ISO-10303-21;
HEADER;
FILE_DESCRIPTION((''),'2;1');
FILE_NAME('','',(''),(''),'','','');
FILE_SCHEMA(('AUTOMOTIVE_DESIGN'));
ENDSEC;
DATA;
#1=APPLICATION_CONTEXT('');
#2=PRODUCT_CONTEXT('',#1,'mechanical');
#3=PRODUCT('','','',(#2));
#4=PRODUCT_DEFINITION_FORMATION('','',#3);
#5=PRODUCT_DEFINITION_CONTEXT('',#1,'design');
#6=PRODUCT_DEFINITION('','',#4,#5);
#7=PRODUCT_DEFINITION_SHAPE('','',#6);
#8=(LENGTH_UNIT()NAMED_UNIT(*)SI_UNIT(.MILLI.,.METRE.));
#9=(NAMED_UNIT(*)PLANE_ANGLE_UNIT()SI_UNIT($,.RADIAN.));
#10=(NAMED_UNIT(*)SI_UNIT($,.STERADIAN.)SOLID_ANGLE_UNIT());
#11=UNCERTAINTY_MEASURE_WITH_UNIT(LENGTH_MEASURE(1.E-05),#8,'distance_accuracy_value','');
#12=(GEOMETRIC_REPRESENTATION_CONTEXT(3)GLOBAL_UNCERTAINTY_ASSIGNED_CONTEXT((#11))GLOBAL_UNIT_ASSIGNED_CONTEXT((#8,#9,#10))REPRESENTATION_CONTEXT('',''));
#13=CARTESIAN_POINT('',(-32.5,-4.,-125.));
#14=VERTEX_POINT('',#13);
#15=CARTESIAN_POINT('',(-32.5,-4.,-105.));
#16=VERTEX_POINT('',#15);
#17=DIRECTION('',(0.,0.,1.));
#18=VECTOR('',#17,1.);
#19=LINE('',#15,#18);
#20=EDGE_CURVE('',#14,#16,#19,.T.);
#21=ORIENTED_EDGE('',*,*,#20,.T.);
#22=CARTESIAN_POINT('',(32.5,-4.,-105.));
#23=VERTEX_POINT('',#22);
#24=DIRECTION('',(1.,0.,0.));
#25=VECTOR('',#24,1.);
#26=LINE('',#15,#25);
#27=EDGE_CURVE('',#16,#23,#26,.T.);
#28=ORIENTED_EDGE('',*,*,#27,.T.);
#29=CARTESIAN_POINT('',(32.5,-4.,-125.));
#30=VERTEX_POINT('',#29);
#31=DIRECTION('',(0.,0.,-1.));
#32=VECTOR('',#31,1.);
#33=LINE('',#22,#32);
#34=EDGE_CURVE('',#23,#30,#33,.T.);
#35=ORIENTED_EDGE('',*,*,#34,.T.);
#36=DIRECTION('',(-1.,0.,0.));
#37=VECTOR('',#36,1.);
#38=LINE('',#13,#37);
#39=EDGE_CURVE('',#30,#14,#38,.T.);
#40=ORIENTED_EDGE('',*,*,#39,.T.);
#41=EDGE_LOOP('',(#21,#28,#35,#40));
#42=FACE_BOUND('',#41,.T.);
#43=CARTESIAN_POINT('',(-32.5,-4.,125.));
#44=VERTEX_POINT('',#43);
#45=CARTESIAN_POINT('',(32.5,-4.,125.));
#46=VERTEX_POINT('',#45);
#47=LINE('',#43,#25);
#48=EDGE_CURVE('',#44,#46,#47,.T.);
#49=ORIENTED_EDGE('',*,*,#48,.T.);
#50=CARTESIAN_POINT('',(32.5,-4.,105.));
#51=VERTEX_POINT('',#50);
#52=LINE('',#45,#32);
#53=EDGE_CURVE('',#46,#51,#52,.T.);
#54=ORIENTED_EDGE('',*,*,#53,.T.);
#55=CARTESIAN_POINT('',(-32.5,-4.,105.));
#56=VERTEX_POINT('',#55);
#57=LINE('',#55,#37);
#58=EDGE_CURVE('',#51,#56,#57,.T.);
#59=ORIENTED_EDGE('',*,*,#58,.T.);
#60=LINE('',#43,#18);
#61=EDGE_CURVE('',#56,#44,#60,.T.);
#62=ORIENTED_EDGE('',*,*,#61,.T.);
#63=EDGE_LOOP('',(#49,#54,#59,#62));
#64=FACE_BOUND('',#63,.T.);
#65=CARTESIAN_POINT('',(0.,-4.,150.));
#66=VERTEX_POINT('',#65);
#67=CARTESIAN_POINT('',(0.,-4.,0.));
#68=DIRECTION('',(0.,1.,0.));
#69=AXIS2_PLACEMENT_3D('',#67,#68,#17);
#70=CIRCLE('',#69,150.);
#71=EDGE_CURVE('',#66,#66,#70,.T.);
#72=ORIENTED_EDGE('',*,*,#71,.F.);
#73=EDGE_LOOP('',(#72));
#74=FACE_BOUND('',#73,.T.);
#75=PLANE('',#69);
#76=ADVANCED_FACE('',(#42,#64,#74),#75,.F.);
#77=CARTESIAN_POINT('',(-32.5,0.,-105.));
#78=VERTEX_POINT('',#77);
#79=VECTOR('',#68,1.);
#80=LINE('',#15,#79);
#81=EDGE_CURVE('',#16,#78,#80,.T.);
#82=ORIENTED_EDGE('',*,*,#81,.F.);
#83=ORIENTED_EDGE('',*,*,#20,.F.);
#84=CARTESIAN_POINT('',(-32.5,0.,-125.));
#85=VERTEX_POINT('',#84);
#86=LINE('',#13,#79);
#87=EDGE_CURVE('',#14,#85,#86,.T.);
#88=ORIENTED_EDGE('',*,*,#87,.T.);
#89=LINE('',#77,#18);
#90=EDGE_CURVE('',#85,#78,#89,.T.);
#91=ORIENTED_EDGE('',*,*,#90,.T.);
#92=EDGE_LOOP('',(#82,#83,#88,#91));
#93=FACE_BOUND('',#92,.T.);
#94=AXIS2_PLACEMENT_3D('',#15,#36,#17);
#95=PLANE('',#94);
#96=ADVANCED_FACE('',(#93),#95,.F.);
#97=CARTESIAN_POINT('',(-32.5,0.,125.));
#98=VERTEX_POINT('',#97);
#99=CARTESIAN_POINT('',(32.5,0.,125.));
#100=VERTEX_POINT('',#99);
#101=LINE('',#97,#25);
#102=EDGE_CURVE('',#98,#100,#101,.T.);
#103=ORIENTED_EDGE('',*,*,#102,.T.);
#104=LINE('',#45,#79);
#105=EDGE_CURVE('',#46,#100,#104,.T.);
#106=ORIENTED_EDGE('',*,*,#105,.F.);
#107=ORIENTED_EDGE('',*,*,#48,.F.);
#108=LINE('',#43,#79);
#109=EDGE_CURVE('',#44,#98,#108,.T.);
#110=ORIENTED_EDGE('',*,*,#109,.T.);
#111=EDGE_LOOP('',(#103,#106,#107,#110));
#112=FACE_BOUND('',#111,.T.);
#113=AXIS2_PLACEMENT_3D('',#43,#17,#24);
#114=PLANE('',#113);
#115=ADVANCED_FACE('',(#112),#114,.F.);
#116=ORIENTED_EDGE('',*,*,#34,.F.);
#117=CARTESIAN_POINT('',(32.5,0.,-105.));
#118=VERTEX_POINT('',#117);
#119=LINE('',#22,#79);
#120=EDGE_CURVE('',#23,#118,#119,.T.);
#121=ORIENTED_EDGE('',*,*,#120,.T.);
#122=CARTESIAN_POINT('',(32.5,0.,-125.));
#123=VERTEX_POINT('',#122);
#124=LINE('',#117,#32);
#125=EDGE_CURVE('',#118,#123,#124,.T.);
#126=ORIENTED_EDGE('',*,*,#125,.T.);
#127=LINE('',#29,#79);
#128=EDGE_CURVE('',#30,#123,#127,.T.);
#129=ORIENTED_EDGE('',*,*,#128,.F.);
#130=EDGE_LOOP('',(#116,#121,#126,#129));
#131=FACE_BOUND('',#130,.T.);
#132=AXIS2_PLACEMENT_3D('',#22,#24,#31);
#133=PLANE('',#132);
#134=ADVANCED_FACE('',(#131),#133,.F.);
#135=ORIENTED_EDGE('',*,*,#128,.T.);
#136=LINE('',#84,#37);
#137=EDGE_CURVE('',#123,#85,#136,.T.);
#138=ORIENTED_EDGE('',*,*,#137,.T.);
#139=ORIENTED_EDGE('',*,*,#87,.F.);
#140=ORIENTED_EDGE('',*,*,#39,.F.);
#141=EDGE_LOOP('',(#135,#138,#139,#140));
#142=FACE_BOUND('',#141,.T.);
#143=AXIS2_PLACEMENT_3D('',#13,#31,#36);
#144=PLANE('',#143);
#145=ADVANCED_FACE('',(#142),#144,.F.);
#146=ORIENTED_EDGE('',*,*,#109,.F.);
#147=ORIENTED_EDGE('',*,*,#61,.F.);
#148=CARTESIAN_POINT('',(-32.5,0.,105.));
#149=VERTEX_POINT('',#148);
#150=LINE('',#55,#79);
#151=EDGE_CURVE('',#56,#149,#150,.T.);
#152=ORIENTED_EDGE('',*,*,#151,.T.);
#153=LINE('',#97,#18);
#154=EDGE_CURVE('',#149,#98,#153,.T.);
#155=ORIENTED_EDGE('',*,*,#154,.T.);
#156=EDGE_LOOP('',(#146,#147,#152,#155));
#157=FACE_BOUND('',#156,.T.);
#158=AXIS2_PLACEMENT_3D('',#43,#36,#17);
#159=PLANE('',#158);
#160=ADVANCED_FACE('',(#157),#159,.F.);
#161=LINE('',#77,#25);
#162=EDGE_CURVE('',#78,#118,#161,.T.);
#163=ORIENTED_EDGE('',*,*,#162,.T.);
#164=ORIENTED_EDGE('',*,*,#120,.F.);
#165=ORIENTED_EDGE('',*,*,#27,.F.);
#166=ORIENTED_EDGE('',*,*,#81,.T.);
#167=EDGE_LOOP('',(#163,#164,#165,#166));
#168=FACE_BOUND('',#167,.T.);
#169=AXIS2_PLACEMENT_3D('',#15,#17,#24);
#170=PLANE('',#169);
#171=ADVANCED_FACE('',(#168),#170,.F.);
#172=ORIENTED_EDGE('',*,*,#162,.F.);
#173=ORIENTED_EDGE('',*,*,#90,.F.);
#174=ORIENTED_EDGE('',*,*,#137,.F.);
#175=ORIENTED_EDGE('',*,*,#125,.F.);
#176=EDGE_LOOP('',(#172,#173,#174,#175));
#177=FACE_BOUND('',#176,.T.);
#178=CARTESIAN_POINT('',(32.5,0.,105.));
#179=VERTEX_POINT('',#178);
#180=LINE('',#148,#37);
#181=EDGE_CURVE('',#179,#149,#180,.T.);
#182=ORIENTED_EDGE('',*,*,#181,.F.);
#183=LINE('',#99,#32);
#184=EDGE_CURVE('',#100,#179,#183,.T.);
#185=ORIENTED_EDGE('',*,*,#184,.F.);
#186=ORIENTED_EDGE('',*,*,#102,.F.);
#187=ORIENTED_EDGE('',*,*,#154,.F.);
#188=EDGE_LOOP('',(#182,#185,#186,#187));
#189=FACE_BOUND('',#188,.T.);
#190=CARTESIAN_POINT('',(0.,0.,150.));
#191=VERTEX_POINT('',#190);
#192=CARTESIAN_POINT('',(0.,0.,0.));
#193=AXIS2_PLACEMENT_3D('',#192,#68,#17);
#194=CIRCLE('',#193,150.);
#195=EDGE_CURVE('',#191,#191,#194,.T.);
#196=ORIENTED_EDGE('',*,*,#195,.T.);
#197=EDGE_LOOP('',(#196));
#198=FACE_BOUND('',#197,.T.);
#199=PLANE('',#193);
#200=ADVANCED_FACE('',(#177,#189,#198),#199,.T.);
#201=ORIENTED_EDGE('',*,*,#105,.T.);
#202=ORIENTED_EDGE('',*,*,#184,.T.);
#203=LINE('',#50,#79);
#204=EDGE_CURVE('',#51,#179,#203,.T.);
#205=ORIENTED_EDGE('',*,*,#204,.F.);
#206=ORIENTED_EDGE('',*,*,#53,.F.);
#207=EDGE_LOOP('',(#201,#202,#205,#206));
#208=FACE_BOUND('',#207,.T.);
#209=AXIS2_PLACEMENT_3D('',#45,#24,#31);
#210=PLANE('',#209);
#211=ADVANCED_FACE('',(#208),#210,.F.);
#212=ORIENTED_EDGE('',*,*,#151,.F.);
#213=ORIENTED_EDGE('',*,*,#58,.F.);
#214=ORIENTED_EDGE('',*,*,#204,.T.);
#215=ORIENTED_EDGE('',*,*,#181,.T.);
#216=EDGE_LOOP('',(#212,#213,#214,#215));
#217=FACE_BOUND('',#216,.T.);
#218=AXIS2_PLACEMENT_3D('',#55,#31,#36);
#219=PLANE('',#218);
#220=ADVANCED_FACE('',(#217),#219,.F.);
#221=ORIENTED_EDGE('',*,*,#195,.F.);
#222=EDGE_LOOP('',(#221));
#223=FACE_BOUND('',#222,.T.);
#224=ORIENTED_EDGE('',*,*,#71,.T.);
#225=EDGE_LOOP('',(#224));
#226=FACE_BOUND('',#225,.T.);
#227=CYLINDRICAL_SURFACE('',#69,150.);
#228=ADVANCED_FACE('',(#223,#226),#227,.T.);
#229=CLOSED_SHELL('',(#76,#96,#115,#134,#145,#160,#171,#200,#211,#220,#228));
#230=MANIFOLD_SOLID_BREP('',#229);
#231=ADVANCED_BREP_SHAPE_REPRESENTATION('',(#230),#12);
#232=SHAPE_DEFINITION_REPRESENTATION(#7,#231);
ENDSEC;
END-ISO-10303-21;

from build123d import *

# Parameters (mm, degrees)
ESQUISSE2_R             = 150
BOSS_EXTRU_1_DEPTH      = 4
ESQUISSE4_W             = 65
ESQUISSE4_H             = 20
ENL_V_MAT_EXTRU_1_DEPTH = 213.169743366


with BuildPart() as part:
    # Esquisse2 → Boss.-Extru.1 (new body)
    with BuildSketch(Plane(origin=(0, 0, 0), x_dir=(1, 0, 0), z_dir=(0, 1, 0))):
        with Locations(Location((0, 0, 0), (0, 0, 270))):
            Circle(ESQUISSE2_R)
    extrude(amount=-BOSS_EXTRU_1_DEPTH)

    # Esquisse4 → Enlèv. mat.-Extru.1 (cut, through all)
    with BuildSketch(Plane(origin=(0, 0, 0), x_dir=(1, 0, 0), z_dir=(0, 1, 0))):
        with Locations((0, -115)):
            Rectangle(ESQUISSE4_W, ESQUISSE4_H)
        with Locations((0, 115)):
            Rectangle(ESQUISSE4_W, ESQUISSE4_H)
    extrude(amount=-ENL_V_MAT_EXTRU_1_DEPTH, mode=Mode.SUBTRACT)


solid = part.part
